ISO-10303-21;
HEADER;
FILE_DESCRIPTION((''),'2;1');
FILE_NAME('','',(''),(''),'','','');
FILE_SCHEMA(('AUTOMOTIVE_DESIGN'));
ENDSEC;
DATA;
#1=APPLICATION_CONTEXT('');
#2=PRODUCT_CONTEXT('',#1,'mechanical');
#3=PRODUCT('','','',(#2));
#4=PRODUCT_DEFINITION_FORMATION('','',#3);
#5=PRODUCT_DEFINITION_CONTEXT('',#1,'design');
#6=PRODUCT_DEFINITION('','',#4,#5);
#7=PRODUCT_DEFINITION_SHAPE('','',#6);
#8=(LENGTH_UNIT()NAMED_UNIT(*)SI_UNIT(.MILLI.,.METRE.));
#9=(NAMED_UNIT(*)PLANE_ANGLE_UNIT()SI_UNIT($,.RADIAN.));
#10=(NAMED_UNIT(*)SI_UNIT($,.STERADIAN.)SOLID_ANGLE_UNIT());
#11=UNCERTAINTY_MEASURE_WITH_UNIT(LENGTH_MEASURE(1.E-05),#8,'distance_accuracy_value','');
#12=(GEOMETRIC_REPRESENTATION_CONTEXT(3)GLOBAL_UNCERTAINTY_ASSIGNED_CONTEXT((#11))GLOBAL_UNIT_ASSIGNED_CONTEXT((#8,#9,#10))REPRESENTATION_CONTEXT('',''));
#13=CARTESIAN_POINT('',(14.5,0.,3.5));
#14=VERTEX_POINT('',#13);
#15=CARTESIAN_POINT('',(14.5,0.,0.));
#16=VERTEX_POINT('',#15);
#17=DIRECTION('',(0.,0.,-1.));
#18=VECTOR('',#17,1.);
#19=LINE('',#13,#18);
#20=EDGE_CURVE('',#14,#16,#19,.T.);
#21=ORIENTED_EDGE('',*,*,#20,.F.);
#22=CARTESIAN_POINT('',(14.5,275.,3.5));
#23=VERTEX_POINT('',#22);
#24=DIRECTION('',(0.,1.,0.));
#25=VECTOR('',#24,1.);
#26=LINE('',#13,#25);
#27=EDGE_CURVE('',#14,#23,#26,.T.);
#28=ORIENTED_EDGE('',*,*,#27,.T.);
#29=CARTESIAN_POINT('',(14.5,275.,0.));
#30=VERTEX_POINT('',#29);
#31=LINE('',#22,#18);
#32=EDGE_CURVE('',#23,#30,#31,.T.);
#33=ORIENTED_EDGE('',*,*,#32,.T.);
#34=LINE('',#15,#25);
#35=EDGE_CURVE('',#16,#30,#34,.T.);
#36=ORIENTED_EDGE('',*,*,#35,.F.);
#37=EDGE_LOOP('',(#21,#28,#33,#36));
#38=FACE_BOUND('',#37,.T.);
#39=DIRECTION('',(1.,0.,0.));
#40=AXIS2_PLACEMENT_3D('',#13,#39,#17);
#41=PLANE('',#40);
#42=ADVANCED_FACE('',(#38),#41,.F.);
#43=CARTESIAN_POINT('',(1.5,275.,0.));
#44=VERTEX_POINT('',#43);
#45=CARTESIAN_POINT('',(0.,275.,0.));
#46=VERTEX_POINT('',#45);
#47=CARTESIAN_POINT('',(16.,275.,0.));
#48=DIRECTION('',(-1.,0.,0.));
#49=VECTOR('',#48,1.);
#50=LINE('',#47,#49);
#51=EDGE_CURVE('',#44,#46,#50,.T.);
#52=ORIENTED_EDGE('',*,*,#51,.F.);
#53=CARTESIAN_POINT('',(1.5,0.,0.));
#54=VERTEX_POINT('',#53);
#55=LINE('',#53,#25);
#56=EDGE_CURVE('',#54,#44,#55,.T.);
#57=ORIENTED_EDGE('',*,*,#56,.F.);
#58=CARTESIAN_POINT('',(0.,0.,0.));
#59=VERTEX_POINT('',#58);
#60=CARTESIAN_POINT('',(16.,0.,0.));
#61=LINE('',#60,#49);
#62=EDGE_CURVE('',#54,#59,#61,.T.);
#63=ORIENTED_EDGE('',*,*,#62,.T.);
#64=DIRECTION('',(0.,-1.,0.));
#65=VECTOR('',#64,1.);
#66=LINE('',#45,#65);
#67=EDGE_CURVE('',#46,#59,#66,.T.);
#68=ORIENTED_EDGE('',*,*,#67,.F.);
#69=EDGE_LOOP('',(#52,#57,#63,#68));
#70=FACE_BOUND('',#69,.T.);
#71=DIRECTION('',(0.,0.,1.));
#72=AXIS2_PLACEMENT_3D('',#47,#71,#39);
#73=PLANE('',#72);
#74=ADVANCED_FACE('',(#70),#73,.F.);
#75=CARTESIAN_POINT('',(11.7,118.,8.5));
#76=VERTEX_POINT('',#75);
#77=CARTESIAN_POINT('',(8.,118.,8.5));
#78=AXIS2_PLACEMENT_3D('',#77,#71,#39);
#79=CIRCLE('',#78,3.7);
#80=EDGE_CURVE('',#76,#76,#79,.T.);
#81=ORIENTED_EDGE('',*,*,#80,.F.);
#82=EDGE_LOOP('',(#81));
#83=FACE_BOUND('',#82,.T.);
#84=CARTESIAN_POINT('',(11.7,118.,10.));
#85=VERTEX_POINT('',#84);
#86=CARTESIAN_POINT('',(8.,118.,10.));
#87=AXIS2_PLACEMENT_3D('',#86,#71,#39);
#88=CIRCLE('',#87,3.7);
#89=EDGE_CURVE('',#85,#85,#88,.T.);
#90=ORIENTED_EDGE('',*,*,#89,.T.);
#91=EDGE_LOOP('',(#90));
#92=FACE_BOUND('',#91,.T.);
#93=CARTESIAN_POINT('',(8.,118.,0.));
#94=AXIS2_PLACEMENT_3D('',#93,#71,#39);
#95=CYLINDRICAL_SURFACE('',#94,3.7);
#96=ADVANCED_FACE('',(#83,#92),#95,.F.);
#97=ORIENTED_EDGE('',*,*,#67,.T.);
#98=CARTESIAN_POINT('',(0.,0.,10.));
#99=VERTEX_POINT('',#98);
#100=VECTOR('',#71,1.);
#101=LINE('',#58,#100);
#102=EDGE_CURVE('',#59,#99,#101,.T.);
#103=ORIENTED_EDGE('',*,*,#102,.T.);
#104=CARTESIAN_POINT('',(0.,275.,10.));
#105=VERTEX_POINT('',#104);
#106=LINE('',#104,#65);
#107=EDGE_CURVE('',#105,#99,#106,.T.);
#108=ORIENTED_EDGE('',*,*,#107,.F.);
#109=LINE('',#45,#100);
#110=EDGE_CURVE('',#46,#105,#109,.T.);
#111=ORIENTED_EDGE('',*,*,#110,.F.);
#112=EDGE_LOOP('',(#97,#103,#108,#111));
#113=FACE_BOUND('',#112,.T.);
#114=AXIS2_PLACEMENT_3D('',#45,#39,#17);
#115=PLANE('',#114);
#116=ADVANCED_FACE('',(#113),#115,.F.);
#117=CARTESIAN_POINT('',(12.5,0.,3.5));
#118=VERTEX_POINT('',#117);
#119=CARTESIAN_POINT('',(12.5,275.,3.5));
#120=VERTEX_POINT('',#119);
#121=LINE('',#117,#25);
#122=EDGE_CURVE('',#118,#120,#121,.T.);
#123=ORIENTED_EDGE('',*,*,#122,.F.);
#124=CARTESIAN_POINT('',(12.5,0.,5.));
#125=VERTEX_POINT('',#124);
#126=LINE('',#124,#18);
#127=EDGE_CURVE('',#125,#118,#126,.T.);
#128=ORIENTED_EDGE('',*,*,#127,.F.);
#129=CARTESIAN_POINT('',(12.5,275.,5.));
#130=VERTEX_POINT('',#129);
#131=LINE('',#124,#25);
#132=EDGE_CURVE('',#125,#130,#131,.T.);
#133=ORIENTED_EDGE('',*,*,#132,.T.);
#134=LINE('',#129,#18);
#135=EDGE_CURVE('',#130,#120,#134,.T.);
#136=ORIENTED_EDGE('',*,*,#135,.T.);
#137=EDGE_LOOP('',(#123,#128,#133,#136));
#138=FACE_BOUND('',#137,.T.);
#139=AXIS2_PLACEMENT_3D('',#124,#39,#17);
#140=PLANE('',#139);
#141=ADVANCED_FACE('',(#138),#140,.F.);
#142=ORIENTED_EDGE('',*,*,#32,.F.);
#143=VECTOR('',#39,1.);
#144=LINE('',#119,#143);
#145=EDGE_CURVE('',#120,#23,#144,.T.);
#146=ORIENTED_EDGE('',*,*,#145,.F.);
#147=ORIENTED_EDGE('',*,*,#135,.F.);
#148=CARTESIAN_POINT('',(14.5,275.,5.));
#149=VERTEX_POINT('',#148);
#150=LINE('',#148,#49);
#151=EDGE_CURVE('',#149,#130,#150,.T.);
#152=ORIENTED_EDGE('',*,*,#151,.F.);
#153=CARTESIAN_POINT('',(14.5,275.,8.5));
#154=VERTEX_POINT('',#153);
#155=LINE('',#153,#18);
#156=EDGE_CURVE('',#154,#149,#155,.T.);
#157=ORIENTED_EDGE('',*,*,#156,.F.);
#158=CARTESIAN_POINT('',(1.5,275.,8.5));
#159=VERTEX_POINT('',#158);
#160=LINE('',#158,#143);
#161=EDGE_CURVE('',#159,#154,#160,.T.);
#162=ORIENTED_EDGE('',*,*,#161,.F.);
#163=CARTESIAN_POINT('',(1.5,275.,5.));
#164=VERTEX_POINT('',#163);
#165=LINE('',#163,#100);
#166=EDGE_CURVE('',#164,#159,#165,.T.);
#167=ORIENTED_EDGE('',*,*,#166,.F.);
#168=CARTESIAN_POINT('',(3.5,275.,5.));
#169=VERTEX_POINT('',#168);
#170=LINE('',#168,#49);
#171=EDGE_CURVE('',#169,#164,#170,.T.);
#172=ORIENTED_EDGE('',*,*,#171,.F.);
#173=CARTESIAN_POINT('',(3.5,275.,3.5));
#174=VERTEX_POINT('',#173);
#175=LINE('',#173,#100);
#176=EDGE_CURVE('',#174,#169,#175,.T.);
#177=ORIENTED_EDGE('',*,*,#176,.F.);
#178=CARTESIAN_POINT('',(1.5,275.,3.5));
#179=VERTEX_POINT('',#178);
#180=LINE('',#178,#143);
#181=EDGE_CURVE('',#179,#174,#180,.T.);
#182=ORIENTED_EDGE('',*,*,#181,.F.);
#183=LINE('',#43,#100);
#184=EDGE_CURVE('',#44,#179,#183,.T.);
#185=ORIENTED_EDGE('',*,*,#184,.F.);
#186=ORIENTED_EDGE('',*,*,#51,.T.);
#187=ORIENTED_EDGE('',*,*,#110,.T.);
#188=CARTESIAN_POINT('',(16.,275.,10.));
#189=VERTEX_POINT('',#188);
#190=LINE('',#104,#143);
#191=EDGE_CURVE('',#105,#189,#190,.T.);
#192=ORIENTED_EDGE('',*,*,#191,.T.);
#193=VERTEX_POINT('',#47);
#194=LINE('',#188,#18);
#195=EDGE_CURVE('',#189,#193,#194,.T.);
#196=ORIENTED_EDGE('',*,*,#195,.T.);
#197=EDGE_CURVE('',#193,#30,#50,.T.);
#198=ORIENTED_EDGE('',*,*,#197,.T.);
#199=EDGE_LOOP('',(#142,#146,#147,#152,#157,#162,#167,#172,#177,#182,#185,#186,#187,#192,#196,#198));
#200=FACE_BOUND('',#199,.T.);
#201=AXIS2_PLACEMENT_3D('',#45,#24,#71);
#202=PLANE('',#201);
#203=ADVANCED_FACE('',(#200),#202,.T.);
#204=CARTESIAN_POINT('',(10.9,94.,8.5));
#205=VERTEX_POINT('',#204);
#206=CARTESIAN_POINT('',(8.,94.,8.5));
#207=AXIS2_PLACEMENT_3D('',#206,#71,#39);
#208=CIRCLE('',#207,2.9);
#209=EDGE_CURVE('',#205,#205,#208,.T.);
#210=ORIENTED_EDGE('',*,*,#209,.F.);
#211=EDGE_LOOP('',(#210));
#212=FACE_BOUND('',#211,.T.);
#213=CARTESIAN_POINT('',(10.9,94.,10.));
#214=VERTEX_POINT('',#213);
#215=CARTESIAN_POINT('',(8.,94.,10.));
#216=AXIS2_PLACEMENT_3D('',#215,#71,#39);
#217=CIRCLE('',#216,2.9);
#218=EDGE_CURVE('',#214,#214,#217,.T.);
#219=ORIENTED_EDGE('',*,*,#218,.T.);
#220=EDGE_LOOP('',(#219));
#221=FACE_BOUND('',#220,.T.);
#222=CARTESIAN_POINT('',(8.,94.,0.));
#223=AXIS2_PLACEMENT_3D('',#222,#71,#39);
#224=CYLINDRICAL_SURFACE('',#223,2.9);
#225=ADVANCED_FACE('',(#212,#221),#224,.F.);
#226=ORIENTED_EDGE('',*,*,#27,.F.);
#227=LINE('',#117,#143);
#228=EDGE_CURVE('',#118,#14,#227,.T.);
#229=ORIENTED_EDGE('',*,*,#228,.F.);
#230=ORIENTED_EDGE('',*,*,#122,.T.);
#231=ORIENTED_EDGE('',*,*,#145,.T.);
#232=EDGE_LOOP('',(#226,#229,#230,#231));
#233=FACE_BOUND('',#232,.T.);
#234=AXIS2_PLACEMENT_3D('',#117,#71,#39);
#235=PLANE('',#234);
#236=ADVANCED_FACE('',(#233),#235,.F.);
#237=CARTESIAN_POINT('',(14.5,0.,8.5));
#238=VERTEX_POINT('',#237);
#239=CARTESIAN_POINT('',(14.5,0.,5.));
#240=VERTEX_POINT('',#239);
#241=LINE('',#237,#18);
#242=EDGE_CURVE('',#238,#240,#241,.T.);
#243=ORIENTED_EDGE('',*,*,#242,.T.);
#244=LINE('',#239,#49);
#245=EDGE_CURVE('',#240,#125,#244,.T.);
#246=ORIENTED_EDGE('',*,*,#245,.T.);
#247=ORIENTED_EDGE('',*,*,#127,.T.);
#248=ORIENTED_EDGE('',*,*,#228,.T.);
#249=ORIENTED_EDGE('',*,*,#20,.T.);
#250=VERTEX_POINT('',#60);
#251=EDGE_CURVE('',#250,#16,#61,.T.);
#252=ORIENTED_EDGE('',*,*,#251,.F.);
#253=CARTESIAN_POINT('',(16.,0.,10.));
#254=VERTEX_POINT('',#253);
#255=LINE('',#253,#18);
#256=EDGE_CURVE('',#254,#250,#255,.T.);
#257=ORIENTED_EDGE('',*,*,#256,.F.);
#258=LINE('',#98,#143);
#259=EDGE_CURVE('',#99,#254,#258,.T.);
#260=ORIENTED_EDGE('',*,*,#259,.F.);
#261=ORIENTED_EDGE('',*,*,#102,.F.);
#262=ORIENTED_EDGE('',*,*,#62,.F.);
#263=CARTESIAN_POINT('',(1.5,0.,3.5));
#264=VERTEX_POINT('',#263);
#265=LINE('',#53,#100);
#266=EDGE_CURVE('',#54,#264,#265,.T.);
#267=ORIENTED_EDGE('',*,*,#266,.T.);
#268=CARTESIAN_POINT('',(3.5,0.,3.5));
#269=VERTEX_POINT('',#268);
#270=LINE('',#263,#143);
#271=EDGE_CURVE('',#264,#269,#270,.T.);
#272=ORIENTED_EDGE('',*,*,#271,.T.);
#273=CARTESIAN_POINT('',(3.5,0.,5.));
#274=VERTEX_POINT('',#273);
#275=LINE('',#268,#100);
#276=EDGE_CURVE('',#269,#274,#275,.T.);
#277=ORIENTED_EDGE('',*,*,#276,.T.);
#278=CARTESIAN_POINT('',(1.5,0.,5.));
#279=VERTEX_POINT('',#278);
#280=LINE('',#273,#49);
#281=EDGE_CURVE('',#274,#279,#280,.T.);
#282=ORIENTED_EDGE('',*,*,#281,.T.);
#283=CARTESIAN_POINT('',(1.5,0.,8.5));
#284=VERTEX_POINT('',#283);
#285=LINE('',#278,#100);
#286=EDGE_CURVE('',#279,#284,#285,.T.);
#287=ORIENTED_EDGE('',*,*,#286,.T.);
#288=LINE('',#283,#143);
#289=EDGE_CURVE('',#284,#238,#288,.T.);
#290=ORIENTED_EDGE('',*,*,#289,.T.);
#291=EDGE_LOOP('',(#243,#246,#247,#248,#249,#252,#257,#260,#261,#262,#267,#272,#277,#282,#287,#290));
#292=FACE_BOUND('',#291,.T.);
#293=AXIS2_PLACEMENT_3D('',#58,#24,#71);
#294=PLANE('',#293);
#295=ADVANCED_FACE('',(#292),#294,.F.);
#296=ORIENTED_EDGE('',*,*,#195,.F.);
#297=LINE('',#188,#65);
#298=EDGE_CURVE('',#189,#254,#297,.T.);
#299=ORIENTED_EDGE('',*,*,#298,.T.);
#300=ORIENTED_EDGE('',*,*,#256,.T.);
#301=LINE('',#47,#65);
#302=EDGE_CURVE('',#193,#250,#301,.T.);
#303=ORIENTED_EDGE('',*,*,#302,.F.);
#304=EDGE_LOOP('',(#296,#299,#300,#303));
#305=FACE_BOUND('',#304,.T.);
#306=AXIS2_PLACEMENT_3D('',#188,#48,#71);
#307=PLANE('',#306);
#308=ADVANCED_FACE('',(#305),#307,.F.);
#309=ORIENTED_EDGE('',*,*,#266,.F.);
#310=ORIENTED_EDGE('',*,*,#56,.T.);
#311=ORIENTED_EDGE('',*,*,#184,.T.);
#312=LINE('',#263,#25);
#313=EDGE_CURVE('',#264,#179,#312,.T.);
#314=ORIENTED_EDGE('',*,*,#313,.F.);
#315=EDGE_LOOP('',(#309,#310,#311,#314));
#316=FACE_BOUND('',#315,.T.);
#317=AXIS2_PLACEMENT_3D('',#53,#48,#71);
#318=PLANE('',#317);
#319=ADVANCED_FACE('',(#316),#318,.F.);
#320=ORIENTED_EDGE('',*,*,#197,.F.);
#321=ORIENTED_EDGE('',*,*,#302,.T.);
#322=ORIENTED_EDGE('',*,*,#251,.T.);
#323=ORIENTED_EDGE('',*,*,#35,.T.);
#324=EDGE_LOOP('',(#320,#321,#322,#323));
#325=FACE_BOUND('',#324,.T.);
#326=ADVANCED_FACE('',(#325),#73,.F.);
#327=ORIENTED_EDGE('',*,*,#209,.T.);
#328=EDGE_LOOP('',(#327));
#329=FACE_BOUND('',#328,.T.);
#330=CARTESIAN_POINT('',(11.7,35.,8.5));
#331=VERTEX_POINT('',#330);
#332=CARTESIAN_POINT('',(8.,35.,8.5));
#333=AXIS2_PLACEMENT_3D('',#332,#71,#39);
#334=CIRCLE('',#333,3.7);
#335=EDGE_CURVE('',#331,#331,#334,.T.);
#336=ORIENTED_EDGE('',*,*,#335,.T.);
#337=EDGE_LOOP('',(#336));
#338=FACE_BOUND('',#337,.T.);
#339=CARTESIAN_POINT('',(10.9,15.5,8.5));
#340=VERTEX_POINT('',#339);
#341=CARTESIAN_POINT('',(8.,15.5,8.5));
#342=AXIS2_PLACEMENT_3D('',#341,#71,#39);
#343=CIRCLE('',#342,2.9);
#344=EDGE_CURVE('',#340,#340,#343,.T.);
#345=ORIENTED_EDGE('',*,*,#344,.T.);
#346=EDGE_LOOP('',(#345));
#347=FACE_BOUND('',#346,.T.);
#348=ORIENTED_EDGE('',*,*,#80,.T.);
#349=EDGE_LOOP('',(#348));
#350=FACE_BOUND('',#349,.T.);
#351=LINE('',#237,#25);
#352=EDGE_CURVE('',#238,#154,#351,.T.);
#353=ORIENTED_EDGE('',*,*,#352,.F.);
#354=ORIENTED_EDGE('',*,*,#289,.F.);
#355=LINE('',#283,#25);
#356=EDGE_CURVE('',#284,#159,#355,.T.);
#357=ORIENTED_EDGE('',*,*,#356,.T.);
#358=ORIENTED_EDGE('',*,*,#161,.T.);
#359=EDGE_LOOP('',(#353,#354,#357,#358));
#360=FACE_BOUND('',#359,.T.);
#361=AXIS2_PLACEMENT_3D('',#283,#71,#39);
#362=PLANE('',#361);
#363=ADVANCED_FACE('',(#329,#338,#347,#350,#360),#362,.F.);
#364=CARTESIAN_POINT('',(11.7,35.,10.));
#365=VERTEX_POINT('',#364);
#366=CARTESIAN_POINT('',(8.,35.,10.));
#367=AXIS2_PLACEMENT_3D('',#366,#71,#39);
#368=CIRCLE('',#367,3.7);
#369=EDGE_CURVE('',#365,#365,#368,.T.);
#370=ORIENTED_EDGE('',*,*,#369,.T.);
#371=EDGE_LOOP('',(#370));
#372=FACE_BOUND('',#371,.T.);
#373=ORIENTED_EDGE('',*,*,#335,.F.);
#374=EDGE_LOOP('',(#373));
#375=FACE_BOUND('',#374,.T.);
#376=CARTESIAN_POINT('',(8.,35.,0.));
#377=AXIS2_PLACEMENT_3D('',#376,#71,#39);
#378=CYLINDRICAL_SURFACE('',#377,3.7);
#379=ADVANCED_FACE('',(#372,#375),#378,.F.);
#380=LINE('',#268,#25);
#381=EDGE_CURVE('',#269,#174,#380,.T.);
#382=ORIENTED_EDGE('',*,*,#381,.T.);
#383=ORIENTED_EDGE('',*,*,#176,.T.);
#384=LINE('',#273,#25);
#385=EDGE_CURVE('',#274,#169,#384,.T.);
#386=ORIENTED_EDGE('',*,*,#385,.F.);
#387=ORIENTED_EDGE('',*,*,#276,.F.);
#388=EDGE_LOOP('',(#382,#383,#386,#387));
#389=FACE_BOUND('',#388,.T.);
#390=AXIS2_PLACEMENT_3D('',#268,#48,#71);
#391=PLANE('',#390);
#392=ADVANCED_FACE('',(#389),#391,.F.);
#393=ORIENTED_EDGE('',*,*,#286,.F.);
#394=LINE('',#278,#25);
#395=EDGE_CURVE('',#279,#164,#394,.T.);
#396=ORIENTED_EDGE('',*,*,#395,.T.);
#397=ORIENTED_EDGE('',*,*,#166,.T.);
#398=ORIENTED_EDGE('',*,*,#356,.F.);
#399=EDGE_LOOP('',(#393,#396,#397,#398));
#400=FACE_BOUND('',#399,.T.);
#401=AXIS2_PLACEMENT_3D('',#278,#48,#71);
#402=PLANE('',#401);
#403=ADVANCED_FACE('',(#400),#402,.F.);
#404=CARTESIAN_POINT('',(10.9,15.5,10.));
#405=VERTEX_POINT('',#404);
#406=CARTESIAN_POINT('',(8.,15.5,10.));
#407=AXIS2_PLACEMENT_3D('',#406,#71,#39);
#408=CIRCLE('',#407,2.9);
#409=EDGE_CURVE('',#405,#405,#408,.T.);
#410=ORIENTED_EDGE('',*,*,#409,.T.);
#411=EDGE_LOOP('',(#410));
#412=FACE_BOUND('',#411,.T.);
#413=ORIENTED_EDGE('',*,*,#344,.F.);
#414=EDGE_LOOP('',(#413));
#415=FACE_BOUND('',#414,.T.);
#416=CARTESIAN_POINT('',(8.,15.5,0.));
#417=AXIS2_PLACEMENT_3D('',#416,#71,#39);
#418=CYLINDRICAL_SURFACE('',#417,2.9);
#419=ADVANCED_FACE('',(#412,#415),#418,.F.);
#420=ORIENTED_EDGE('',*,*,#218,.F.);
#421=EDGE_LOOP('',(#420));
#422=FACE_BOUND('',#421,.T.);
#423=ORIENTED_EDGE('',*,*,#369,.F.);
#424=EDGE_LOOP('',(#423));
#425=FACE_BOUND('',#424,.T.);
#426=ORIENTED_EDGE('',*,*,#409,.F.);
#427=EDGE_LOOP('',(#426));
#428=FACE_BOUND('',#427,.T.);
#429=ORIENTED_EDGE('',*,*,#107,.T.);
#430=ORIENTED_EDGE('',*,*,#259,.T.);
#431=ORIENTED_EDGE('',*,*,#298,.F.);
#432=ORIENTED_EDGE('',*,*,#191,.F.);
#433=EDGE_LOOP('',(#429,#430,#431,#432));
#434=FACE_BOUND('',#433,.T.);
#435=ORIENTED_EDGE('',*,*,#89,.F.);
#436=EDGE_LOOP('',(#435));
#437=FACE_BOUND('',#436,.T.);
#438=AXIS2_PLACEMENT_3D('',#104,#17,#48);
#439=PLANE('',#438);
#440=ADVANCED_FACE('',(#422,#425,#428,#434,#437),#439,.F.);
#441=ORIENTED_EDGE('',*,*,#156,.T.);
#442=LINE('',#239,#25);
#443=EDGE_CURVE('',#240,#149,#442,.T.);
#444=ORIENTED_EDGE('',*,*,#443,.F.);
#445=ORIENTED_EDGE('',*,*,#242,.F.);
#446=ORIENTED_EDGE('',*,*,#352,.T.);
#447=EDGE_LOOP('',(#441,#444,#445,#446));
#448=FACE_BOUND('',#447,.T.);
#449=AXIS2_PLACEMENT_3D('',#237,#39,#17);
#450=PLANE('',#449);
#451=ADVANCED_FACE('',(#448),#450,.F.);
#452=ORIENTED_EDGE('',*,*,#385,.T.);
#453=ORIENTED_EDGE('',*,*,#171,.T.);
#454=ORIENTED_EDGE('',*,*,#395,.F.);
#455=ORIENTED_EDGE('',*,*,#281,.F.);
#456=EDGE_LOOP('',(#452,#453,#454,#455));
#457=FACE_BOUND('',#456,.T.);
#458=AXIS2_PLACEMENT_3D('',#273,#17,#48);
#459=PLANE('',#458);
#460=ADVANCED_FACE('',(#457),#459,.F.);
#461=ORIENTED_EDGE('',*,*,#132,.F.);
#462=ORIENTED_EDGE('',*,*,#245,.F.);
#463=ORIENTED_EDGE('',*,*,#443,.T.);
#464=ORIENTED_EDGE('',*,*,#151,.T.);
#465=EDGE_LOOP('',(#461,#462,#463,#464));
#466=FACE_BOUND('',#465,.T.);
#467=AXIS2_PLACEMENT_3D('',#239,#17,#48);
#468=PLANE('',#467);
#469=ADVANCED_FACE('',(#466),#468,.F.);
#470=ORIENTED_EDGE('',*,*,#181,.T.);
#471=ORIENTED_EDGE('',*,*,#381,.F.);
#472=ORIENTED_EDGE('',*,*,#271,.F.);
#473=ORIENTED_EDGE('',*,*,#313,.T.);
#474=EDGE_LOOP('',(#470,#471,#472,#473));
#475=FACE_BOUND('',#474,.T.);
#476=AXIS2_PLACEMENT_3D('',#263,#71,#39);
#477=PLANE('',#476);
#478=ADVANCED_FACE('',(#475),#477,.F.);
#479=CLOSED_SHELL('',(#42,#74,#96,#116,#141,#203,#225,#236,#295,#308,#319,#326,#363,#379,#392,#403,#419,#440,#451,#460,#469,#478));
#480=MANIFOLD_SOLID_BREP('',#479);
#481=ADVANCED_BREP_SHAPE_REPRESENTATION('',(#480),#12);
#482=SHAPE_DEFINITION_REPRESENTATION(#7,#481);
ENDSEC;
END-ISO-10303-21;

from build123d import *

# Parameters (mm, degrees)
SKETCH1_W           = 16
SKETCH1_H           = 10
BOSS_EXTRUDE1_DEPTH = 275
CUT_EXTRUDE1_DEPTH  = 275
SKETCH3_R           = 2.9
SKETCH3_R_2         = 3.7
CUT_EXTRUDE2_DEPTH  = 276.646512766


with BuildPart() as part:
    # Sketch1 → Boss-Extrude1 (new body)
    with BuildSketch(Plane(origin=(0, 0, 0), x_dir=(1, 0, 0), z_dir=(0, 1, 0))):
        with Locations((8, -5)):
            Rectangle(SKETCH1_W, SKETCH1_H)
    extrude(amount=BOSS_EXTRUDE1_DEPTH)

    # Sketch2 → Cut-Extrude1 (cut)
    with BuildSketch(Plane(origin=(0, 275, 0), x_dir=(1, 0, 0), z_dir=(0, 1, 0))):
        Polygon((1.5, 0), (1.5, -3.5), (3.5, -3.5), (3.5, -5), (1.5, -5), (1.5, -8.5), (14.5, -8.5), (14.5, -5), (12.5, -5), (12.5, -3.5), (14.5, -3.5), (14.5, 0), align=None)
    extrude(amount=-CUT_EXTRUDE1_DEPTH, mode=Mode.SUBTRACT)

    # Sketch3 → Cut-Extrude2 (cut, through all)
    with BuildSketch(Plane.XY.offset(10)):
        with Locations((8, 15.5)):
            Circle(SKETCH3_R)
        with Locations((8, 35)):
            Circle(SKETCH3_R_2)
        with Locations((8, 94)):
            Circle(SKETCH3_R)
        with Locations((8, 118)):
            Circle(SKETCH3_R_2)
    extrude(amount=-CUT_EXTRUDE2_DEPTH, mode=Mode.SUBTRACT)


solid = part.part
